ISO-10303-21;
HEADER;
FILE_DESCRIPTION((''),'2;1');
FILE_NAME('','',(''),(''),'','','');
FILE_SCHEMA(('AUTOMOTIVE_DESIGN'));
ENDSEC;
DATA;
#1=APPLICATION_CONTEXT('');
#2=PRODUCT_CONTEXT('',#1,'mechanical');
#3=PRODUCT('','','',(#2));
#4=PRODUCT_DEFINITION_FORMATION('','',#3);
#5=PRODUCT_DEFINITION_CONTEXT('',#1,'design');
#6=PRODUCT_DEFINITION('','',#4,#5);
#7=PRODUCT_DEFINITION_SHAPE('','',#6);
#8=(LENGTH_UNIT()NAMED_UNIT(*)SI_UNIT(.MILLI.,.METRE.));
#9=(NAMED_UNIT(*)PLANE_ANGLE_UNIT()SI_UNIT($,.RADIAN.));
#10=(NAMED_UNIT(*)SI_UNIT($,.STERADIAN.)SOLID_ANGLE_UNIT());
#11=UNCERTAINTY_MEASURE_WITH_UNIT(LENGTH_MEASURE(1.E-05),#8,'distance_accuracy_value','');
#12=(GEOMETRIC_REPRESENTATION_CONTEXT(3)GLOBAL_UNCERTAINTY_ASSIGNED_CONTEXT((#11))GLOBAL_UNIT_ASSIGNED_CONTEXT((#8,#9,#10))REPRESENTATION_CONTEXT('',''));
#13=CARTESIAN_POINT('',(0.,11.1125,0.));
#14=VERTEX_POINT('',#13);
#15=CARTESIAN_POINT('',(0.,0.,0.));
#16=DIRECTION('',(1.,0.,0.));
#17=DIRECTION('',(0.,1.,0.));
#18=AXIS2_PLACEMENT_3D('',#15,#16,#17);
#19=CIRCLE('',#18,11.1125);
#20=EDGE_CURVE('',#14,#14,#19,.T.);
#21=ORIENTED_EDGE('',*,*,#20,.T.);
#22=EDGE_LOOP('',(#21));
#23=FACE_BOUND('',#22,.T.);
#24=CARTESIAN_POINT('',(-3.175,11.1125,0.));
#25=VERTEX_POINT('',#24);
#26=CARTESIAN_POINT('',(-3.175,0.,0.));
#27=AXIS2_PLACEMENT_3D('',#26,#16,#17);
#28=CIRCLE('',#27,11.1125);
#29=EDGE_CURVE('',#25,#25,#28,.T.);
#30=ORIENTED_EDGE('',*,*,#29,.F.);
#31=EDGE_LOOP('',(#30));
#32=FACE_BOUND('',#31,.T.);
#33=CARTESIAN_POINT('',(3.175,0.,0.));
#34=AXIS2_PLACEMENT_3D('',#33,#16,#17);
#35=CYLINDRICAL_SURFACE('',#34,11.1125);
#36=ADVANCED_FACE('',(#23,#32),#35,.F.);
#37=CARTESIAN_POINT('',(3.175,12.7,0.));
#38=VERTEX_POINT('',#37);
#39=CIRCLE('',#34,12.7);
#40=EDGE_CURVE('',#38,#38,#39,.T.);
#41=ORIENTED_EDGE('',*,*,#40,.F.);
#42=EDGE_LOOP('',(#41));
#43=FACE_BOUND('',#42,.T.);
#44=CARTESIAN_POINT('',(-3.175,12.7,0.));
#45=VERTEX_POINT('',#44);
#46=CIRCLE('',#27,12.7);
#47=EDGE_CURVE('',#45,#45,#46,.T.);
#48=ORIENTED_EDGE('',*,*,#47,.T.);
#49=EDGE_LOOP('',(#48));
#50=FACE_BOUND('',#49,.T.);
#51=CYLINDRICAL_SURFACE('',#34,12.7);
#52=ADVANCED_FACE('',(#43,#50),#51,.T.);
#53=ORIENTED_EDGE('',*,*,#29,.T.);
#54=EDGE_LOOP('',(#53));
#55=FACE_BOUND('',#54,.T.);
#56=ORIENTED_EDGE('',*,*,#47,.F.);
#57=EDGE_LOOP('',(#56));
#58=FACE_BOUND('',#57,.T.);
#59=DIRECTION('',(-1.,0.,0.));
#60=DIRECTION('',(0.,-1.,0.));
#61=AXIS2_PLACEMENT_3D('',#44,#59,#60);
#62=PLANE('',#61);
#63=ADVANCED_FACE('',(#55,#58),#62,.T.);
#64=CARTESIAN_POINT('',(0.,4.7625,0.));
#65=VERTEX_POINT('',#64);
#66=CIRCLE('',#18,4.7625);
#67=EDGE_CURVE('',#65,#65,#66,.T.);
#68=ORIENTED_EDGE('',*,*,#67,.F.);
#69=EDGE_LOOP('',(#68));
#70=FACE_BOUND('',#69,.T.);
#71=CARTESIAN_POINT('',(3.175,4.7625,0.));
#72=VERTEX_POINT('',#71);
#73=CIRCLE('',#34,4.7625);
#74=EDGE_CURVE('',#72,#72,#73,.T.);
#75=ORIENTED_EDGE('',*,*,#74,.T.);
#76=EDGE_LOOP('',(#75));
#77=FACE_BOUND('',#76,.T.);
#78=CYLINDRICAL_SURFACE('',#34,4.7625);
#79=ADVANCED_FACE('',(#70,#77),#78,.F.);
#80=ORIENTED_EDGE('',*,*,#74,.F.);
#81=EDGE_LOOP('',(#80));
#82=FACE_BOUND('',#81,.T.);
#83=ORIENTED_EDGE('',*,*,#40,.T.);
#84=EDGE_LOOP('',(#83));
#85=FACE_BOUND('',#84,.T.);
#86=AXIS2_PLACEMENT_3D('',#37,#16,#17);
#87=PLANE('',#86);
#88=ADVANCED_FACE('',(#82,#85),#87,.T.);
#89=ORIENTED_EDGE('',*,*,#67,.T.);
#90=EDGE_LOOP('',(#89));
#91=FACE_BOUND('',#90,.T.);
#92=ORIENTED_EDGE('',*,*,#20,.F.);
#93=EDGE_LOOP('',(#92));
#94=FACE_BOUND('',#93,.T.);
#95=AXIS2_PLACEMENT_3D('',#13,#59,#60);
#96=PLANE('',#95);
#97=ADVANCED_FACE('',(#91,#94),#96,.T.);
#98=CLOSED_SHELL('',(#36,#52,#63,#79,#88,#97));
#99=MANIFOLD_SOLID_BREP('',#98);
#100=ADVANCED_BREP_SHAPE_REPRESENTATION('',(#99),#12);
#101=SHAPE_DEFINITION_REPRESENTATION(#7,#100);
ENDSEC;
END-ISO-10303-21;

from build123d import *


with BuildPart() as part:
    # Sketch1 → Revolve1 (revolve)
    with BuildSketch(Plane.XY):
        Polygon((-3.175, 12.7), (3.175, 12.7), (3.175, 4.7625), (0, 4.7625), (0, 11.1125), (-3.175, 11.1125), align=None)
    revolve(axis=Axis((3.175, 0, 0), (-1, 0, 0)))


solid = part.part
